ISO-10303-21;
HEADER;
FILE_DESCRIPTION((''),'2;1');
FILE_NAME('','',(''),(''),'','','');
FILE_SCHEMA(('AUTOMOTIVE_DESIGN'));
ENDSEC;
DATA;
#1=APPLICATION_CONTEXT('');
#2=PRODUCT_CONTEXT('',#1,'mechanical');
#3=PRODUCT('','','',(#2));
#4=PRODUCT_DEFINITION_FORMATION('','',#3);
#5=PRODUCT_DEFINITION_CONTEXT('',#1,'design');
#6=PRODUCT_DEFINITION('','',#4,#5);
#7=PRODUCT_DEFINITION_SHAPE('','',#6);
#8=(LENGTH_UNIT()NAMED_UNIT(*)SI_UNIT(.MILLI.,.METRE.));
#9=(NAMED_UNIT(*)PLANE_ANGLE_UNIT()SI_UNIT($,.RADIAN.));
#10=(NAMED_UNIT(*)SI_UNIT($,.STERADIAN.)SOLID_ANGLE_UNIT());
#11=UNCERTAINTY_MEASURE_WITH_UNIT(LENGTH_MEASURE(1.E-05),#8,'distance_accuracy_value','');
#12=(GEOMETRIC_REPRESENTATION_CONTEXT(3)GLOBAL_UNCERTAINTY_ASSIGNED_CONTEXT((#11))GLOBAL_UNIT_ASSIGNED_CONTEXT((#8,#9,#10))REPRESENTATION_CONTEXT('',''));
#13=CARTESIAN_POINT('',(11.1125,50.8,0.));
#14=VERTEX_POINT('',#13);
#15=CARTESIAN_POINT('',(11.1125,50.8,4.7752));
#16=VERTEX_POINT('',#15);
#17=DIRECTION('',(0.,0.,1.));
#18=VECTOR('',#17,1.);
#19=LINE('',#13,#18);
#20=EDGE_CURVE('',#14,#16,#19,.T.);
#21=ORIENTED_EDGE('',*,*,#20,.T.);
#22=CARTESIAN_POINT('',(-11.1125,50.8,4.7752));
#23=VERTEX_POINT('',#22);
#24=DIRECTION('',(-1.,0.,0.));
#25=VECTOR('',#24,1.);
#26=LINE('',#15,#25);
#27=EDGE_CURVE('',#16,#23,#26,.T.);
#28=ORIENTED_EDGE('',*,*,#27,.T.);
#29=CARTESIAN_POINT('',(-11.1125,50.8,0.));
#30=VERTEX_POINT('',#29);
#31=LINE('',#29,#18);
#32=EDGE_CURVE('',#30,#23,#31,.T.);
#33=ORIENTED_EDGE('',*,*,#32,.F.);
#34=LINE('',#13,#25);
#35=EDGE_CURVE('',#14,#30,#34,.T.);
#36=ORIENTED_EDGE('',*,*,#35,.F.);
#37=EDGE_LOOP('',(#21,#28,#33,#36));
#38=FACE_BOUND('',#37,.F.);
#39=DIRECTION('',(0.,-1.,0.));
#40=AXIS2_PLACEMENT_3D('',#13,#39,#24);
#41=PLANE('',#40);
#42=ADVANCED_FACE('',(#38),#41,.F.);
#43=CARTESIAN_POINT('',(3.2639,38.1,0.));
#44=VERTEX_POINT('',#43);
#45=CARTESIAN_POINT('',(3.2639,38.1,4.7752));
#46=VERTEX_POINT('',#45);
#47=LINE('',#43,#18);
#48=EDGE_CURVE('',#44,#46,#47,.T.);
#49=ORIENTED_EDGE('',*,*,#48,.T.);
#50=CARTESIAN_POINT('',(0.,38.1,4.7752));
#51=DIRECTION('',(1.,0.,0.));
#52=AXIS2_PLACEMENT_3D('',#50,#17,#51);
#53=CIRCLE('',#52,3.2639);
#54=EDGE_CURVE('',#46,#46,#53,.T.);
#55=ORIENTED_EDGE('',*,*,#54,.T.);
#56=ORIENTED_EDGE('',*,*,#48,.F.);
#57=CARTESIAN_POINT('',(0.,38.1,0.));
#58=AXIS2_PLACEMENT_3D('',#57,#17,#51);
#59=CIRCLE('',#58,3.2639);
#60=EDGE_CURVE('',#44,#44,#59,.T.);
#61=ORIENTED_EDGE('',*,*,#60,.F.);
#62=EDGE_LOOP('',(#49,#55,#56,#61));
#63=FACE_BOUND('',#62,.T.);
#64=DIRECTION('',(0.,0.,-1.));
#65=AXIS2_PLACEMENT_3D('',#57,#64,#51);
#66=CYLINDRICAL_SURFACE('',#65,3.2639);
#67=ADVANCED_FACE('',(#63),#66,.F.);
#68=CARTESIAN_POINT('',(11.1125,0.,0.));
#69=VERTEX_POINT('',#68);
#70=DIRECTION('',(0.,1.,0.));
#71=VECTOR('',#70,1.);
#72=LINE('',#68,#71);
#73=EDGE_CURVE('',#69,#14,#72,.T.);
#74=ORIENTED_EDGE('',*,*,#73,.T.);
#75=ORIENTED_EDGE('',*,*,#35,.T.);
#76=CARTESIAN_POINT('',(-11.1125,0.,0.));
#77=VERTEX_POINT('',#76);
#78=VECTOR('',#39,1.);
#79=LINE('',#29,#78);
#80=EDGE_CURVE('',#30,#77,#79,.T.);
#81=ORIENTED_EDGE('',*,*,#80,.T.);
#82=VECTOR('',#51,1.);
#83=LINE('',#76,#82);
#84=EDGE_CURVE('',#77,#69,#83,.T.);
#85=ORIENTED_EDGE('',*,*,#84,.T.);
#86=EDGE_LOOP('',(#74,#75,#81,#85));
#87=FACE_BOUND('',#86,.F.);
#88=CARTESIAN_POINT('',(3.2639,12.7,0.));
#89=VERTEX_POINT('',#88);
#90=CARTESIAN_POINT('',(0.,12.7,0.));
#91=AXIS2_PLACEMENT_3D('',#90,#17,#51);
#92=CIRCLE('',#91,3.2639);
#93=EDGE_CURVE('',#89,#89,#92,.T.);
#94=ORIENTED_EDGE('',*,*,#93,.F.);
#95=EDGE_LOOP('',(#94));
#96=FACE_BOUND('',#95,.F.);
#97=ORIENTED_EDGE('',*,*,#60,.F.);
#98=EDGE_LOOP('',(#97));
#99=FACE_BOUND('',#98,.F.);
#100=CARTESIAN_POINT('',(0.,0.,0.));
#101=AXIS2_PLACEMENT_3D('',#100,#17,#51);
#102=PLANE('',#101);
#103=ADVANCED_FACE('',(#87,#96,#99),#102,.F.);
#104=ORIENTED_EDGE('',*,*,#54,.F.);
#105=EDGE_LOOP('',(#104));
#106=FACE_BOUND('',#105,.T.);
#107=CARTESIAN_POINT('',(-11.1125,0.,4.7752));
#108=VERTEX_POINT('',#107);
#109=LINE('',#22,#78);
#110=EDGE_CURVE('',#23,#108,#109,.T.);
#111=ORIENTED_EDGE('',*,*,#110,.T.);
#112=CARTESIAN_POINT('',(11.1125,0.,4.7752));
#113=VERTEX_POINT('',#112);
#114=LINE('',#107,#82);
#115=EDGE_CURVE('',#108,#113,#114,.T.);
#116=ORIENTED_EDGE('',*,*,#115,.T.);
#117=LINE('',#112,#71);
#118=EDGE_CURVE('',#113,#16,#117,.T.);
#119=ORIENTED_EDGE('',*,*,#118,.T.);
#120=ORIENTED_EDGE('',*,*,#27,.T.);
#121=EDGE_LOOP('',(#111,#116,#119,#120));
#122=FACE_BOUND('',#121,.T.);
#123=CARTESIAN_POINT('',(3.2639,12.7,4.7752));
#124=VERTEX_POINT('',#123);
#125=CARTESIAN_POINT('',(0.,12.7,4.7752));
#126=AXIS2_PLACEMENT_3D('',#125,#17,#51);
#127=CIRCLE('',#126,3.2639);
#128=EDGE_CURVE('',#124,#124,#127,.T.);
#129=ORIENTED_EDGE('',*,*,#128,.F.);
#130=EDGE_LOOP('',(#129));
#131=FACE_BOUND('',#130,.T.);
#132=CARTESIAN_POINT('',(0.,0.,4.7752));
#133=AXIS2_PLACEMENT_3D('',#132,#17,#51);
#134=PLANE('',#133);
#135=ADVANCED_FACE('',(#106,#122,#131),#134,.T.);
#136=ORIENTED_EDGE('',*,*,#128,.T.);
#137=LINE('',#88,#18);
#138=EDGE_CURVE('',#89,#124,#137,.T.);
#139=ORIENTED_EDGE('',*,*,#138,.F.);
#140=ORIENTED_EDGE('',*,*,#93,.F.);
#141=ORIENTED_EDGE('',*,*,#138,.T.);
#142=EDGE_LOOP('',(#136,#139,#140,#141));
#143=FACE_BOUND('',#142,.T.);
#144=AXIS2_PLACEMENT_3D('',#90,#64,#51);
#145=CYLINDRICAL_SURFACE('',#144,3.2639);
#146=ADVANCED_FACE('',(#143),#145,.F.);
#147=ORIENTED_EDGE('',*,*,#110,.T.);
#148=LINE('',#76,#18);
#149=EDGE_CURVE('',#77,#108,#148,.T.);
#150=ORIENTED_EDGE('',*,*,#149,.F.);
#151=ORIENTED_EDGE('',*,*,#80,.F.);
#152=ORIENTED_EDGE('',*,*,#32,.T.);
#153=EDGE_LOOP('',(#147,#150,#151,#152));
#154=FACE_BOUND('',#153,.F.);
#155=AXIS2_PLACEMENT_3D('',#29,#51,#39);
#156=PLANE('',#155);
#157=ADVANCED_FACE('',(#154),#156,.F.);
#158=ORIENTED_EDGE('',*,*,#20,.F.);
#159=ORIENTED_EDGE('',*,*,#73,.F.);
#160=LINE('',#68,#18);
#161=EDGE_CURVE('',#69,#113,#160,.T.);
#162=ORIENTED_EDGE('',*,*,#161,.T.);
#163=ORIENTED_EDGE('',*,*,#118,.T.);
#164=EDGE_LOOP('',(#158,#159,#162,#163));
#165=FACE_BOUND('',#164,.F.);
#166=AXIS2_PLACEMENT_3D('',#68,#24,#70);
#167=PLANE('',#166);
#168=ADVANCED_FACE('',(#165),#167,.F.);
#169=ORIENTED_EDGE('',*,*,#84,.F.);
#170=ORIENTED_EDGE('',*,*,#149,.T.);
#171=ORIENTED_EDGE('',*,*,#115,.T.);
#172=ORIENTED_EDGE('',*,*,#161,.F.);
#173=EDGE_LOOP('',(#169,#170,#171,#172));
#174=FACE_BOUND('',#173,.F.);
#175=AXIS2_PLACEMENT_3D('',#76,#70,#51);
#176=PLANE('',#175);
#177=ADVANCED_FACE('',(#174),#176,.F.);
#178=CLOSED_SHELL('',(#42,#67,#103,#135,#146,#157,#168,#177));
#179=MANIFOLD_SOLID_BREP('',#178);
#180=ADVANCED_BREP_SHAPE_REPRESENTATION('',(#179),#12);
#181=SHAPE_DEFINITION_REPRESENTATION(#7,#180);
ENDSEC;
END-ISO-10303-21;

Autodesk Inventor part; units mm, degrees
ref_plane "YZ Plane" through (0, 0, 0) normal (1, 0, 0) x (0, 1, 0)
ref_plane "XZ Plane" through (0, 0, 0) normal (0, 1, 0) x (-1, 0, 0)
ref_plane "XY Plane" through (0, 0, 0) normal (0, 0, 1) x (1, 0, 0)
sketch "Sketch_1" plane through (0, 0, 0) normal (0, 0, 1) x (1, 0, 0)
  line L0 (-11.1125, 50.8) -> (-11.1125, 0)
  line L1 (-11.1125, 0) -> (11.1125, 0)
  line L2 (11.1125, 0) -> (11.1125, 50.8)
  line L3 (11.1125, 50.8) -> (-11.1125, 50.8)
  circle A0 centre (0, 12.7) radius 3.2639
  circle A1 centre (0, 38.1) radius 3.2639
extrude "Extrusion1" add sketch "Sketch_1" along normal blind 4.7752
properties part number "4107"
